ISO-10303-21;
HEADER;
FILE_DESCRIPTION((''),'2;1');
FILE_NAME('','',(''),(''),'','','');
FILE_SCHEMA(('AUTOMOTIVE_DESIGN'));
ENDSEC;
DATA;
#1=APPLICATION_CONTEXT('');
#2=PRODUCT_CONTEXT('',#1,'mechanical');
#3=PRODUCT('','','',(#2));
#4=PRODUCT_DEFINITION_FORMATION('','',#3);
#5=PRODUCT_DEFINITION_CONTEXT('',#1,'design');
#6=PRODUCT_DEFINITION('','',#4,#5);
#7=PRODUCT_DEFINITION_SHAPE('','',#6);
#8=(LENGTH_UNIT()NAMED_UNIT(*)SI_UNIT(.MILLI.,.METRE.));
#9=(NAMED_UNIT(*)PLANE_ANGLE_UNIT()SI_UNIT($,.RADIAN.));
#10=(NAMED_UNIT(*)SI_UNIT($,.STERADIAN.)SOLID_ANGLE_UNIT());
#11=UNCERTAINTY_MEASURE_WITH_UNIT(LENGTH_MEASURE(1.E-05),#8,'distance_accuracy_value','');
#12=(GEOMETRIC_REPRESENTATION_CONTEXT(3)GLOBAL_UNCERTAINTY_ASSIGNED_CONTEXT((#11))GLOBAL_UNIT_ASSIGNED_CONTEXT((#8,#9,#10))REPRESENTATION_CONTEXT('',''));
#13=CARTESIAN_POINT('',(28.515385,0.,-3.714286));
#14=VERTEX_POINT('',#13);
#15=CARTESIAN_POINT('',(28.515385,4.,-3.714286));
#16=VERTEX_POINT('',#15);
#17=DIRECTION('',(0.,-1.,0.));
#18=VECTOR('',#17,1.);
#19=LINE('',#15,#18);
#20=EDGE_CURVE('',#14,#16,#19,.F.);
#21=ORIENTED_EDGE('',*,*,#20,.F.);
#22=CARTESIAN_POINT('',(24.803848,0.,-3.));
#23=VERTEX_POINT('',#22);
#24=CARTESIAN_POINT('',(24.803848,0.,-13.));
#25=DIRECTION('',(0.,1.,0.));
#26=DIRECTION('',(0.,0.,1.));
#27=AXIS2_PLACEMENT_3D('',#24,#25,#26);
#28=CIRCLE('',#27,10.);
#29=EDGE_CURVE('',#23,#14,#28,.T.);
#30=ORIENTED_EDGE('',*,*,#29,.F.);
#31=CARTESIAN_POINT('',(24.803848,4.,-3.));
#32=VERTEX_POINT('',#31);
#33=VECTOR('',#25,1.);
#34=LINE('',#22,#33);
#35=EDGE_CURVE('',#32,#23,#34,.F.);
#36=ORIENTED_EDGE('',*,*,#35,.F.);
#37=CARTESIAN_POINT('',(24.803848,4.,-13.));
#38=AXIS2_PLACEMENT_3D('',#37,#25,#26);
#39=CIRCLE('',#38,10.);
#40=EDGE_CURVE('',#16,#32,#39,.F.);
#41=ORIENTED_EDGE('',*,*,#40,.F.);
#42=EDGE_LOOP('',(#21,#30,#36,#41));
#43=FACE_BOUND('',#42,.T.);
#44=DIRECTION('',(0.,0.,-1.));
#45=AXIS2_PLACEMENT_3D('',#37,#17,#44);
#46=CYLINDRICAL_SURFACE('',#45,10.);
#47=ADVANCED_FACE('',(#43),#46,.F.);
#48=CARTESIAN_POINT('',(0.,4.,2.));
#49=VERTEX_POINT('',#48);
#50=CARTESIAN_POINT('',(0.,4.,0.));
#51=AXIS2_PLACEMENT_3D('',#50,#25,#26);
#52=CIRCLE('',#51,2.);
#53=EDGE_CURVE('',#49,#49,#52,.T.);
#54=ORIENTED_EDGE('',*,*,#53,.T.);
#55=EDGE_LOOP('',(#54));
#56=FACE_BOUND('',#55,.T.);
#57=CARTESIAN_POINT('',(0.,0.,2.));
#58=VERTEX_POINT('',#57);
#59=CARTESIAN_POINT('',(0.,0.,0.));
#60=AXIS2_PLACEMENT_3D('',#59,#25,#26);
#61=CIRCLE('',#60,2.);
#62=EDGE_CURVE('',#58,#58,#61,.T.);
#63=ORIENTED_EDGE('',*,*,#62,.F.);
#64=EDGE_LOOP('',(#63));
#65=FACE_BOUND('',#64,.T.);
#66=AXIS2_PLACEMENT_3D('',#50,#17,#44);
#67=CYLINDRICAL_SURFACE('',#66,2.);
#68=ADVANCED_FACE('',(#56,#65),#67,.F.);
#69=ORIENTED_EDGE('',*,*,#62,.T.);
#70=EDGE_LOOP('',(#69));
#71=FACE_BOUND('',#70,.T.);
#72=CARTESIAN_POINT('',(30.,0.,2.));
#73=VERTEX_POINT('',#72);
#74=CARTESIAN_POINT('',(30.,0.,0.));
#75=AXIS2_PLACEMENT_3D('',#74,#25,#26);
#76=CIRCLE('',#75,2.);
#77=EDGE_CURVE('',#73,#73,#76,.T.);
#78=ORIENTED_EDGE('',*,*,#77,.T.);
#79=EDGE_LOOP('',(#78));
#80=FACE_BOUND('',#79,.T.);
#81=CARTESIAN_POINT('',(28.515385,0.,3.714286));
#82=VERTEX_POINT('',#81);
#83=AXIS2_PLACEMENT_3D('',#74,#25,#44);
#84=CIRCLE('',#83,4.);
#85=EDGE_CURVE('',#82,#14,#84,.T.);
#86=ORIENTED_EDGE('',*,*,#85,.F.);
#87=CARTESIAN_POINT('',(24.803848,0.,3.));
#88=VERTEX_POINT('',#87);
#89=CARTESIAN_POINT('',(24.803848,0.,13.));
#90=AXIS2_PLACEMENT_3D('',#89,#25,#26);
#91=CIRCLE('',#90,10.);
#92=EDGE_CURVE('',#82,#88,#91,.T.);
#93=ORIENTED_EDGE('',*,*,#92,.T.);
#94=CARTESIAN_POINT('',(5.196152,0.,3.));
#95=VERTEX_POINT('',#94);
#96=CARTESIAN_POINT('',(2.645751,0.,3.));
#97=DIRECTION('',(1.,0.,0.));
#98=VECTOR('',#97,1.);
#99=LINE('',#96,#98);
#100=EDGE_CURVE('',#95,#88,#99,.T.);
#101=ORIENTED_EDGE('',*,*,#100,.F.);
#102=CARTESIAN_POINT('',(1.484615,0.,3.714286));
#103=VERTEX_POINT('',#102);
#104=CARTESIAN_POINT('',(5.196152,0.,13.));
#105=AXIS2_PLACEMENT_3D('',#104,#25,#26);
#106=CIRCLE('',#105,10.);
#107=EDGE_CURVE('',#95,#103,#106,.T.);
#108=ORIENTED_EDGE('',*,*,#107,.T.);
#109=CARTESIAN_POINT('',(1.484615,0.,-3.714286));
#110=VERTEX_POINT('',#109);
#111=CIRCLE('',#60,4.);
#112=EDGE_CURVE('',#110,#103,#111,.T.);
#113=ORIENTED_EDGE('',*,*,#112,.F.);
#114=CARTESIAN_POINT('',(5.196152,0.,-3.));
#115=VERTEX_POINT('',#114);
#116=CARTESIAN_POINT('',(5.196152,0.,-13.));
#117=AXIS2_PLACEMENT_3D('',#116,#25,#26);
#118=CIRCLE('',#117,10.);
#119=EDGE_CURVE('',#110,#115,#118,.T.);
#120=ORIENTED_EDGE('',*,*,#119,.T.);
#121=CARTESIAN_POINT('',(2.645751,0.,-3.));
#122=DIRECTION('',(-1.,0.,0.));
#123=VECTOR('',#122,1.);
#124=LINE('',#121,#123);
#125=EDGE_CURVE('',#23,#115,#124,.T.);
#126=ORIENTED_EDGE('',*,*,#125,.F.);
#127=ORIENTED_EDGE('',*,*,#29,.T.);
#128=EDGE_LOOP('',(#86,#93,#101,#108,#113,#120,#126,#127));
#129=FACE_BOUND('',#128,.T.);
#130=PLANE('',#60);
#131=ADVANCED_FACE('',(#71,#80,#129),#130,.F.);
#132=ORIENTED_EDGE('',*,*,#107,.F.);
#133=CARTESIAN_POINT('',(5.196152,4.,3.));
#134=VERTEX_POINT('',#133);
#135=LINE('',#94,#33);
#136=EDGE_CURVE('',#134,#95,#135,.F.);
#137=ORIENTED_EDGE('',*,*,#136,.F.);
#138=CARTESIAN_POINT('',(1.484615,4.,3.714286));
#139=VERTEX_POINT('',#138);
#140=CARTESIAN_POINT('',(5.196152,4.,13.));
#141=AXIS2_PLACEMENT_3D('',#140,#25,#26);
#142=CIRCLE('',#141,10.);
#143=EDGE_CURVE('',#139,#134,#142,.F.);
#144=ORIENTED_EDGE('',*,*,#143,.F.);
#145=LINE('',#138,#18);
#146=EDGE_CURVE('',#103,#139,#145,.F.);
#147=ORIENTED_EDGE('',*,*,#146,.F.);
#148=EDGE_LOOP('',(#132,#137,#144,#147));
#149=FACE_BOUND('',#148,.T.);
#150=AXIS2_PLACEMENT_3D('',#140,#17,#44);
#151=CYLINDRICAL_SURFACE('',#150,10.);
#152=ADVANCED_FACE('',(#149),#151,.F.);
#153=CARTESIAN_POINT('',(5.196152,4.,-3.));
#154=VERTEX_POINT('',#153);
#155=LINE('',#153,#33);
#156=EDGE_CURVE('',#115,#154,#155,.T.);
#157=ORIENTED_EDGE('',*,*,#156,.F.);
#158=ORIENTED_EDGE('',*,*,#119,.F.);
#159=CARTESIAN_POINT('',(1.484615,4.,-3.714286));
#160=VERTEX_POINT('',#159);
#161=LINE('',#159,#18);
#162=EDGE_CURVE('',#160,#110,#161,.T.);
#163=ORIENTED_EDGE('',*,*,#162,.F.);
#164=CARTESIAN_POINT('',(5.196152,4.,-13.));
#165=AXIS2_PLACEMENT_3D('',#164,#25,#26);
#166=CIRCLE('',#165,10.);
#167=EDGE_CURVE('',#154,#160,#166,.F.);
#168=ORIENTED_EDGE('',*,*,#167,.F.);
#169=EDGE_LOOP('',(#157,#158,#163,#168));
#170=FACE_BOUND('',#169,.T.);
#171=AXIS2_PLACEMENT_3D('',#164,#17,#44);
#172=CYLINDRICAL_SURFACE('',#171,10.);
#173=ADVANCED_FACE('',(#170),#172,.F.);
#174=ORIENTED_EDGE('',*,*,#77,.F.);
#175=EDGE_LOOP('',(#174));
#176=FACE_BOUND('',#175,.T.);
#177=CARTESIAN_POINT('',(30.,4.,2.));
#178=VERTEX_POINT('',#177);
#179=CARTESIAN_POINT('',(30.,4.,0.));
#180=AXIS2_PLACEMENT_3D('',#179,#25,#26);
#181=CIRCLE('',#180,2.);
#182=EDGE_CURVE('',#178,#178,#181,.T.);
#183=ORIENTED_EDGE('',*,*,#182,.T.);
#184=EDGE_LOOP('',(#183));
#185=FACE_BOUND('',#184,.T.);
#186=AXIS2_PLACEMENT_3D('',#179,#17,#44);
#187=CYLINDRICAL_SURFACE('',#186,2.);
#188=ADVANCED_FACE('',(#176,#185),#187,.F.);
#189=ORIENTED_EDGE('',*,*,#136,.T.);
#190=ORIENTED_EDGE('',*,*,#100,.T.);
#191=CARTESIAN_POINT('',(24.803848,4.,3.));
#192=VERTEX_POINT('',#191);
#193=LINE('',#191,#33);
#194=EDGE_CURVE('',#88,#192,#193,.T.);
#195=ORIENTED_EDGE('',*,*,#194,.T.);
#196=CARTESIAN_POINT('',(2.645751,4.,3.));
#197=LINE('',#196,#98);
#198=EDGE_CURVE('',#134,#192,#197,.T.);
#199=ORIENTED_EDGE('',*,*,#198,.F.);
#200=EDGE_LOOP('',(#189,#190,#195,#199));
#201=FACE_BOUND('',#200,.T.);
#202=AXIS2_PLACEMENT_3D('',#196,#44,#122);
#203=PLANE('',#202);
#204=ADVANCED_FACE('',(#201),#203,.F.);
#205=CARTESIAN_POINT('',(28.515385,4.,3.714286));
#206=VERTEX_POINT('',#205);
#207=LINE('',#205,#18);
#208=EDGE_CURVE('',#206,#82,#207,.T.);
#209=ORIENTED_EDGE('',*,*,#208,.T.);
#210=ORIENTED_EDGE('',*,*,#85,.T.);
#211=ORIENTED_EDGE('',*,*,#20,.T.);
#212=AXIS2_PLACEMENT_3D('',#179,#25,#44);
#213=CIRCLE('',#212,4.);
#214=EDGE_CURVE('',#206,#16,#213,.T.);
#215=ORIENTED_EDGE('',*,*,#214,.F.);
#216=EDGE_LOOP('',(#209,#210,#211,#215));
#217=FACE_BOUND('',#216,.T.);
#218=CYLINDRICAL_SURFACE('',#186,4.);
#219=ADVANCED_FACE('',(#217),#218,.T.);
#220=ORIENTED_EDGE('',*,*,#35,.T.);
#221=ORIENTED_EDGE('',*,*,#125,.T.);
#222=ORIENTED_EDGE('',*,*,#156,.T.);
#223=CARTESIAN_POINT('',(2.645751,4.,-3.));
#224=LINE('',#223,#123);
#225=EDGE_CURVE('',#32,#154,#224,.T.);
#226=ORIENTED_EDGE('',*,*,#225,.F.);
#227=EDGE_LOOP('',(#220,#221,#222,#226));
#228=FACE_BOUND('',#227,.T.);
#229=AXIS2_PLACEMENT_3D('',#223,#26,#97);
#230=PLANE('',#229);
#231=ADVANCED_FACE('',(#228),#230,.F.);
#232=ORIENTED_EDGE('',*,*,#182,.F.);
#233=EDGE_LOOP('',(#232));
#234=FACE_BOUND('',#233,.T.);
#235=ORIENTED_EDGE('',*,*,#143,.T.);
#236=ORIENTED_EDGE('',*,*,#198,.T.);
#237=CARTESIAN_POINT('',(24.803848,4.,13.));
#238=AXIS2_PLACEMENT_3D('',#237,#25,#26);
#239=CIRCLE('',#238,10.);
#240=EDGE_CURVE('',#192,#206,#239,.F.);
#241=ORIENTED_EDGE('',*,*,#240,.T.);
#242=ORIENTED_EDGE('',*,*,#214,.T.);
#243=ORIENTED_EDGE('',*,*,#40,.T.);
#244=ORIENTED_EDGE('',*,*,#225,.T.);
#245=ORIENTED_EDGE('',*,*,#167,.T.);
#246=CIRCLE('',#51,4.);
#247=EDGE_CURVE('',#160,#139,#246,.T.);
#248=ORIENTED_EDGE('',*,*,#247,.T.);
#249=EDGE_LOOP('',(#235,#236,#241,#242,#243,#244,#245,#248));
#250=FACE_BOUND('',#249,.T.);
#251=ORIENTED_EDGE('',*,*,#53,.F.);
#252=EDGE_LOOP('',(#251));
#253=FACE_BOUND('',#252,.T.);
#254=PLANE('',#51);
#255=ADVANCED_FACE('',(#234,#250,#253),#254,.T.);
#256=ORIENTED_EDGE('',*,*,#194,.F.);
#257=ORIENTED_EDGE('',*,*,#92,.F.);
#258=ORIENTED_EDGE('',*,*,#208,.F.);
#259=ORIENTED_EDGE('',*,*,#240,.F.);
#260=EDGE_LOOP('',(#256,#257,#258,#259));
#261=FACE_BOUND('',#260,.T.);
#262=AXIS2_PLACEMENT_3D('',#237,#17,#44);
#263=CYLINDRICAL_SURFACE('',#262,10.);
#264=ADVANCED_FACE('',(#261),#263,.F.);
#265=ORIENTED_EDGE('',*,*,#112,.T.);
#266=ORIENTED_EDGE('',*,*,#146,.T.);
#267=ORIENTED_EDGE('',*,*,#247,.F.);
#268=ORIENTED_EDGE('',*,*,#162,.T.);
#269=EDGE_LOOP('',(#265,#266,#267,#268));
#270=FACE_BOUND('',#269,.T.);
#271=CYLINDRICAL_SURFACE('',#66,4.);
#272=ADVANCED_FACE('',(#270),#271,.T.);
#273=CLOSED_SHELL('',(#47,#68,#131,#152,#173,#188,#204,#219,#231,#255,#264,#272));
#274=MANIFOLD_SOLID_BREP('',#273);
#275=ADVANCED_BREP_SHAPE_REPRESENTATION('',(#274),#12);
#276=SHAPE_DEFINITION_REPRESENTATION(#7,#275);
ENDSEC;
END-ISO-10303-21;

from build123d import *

# Parameters (mm, degrees)
ESQUISSE1_R        = 2
BOSS_EXTRU_1_DEPTH = 4
CONG_1_R           = 10


with BuildPart() as part:
    # Esquisse1 → Boss.-Extru.1 (new body)
    with BuildSketch(Plane(origin=(0, 0, 0), x_dir=(1, 0, 0), z_dir=(0, 1, 0))):
        with BuildLine():
            Line((2.645751311, 3), (27.354248689, 3))
            ThreePointArc((27.354248689, 3), (34, 0), (27.354248689, -3))
            Line((27.354248689, -3), (2.645751311, -3))
            ThreePointArc((2.645751311, -3), (-4, 0), (2.645751311, 3))
        make_face()
        with Locations(Location((0, 0, 0), (0, 0, 270))):
            Circle(ESQUISSE1_R, mode=Mode.SUBTRACT)
        with Locations(Location((30, 0, 0), (0, 0, 270))):
            Circle(ESQUISSE1_R, mode=Mode.SUBTRACT)
    extrude(amount=BOSS_EXTRU_1_DEPTH)

    # Congé1
    cong_1_edges = [part.edges().sort_by_distance(p)[0] for p in [
        (2.645751311, 2, -3),
        (27.354248689, 2, -3),
        (27.354248689, 2, 3),
        (2.645751311, 2, 3),
    ]]
    fillet(cong_1_edges, radius=CONG_1_R)


solid = part.part
